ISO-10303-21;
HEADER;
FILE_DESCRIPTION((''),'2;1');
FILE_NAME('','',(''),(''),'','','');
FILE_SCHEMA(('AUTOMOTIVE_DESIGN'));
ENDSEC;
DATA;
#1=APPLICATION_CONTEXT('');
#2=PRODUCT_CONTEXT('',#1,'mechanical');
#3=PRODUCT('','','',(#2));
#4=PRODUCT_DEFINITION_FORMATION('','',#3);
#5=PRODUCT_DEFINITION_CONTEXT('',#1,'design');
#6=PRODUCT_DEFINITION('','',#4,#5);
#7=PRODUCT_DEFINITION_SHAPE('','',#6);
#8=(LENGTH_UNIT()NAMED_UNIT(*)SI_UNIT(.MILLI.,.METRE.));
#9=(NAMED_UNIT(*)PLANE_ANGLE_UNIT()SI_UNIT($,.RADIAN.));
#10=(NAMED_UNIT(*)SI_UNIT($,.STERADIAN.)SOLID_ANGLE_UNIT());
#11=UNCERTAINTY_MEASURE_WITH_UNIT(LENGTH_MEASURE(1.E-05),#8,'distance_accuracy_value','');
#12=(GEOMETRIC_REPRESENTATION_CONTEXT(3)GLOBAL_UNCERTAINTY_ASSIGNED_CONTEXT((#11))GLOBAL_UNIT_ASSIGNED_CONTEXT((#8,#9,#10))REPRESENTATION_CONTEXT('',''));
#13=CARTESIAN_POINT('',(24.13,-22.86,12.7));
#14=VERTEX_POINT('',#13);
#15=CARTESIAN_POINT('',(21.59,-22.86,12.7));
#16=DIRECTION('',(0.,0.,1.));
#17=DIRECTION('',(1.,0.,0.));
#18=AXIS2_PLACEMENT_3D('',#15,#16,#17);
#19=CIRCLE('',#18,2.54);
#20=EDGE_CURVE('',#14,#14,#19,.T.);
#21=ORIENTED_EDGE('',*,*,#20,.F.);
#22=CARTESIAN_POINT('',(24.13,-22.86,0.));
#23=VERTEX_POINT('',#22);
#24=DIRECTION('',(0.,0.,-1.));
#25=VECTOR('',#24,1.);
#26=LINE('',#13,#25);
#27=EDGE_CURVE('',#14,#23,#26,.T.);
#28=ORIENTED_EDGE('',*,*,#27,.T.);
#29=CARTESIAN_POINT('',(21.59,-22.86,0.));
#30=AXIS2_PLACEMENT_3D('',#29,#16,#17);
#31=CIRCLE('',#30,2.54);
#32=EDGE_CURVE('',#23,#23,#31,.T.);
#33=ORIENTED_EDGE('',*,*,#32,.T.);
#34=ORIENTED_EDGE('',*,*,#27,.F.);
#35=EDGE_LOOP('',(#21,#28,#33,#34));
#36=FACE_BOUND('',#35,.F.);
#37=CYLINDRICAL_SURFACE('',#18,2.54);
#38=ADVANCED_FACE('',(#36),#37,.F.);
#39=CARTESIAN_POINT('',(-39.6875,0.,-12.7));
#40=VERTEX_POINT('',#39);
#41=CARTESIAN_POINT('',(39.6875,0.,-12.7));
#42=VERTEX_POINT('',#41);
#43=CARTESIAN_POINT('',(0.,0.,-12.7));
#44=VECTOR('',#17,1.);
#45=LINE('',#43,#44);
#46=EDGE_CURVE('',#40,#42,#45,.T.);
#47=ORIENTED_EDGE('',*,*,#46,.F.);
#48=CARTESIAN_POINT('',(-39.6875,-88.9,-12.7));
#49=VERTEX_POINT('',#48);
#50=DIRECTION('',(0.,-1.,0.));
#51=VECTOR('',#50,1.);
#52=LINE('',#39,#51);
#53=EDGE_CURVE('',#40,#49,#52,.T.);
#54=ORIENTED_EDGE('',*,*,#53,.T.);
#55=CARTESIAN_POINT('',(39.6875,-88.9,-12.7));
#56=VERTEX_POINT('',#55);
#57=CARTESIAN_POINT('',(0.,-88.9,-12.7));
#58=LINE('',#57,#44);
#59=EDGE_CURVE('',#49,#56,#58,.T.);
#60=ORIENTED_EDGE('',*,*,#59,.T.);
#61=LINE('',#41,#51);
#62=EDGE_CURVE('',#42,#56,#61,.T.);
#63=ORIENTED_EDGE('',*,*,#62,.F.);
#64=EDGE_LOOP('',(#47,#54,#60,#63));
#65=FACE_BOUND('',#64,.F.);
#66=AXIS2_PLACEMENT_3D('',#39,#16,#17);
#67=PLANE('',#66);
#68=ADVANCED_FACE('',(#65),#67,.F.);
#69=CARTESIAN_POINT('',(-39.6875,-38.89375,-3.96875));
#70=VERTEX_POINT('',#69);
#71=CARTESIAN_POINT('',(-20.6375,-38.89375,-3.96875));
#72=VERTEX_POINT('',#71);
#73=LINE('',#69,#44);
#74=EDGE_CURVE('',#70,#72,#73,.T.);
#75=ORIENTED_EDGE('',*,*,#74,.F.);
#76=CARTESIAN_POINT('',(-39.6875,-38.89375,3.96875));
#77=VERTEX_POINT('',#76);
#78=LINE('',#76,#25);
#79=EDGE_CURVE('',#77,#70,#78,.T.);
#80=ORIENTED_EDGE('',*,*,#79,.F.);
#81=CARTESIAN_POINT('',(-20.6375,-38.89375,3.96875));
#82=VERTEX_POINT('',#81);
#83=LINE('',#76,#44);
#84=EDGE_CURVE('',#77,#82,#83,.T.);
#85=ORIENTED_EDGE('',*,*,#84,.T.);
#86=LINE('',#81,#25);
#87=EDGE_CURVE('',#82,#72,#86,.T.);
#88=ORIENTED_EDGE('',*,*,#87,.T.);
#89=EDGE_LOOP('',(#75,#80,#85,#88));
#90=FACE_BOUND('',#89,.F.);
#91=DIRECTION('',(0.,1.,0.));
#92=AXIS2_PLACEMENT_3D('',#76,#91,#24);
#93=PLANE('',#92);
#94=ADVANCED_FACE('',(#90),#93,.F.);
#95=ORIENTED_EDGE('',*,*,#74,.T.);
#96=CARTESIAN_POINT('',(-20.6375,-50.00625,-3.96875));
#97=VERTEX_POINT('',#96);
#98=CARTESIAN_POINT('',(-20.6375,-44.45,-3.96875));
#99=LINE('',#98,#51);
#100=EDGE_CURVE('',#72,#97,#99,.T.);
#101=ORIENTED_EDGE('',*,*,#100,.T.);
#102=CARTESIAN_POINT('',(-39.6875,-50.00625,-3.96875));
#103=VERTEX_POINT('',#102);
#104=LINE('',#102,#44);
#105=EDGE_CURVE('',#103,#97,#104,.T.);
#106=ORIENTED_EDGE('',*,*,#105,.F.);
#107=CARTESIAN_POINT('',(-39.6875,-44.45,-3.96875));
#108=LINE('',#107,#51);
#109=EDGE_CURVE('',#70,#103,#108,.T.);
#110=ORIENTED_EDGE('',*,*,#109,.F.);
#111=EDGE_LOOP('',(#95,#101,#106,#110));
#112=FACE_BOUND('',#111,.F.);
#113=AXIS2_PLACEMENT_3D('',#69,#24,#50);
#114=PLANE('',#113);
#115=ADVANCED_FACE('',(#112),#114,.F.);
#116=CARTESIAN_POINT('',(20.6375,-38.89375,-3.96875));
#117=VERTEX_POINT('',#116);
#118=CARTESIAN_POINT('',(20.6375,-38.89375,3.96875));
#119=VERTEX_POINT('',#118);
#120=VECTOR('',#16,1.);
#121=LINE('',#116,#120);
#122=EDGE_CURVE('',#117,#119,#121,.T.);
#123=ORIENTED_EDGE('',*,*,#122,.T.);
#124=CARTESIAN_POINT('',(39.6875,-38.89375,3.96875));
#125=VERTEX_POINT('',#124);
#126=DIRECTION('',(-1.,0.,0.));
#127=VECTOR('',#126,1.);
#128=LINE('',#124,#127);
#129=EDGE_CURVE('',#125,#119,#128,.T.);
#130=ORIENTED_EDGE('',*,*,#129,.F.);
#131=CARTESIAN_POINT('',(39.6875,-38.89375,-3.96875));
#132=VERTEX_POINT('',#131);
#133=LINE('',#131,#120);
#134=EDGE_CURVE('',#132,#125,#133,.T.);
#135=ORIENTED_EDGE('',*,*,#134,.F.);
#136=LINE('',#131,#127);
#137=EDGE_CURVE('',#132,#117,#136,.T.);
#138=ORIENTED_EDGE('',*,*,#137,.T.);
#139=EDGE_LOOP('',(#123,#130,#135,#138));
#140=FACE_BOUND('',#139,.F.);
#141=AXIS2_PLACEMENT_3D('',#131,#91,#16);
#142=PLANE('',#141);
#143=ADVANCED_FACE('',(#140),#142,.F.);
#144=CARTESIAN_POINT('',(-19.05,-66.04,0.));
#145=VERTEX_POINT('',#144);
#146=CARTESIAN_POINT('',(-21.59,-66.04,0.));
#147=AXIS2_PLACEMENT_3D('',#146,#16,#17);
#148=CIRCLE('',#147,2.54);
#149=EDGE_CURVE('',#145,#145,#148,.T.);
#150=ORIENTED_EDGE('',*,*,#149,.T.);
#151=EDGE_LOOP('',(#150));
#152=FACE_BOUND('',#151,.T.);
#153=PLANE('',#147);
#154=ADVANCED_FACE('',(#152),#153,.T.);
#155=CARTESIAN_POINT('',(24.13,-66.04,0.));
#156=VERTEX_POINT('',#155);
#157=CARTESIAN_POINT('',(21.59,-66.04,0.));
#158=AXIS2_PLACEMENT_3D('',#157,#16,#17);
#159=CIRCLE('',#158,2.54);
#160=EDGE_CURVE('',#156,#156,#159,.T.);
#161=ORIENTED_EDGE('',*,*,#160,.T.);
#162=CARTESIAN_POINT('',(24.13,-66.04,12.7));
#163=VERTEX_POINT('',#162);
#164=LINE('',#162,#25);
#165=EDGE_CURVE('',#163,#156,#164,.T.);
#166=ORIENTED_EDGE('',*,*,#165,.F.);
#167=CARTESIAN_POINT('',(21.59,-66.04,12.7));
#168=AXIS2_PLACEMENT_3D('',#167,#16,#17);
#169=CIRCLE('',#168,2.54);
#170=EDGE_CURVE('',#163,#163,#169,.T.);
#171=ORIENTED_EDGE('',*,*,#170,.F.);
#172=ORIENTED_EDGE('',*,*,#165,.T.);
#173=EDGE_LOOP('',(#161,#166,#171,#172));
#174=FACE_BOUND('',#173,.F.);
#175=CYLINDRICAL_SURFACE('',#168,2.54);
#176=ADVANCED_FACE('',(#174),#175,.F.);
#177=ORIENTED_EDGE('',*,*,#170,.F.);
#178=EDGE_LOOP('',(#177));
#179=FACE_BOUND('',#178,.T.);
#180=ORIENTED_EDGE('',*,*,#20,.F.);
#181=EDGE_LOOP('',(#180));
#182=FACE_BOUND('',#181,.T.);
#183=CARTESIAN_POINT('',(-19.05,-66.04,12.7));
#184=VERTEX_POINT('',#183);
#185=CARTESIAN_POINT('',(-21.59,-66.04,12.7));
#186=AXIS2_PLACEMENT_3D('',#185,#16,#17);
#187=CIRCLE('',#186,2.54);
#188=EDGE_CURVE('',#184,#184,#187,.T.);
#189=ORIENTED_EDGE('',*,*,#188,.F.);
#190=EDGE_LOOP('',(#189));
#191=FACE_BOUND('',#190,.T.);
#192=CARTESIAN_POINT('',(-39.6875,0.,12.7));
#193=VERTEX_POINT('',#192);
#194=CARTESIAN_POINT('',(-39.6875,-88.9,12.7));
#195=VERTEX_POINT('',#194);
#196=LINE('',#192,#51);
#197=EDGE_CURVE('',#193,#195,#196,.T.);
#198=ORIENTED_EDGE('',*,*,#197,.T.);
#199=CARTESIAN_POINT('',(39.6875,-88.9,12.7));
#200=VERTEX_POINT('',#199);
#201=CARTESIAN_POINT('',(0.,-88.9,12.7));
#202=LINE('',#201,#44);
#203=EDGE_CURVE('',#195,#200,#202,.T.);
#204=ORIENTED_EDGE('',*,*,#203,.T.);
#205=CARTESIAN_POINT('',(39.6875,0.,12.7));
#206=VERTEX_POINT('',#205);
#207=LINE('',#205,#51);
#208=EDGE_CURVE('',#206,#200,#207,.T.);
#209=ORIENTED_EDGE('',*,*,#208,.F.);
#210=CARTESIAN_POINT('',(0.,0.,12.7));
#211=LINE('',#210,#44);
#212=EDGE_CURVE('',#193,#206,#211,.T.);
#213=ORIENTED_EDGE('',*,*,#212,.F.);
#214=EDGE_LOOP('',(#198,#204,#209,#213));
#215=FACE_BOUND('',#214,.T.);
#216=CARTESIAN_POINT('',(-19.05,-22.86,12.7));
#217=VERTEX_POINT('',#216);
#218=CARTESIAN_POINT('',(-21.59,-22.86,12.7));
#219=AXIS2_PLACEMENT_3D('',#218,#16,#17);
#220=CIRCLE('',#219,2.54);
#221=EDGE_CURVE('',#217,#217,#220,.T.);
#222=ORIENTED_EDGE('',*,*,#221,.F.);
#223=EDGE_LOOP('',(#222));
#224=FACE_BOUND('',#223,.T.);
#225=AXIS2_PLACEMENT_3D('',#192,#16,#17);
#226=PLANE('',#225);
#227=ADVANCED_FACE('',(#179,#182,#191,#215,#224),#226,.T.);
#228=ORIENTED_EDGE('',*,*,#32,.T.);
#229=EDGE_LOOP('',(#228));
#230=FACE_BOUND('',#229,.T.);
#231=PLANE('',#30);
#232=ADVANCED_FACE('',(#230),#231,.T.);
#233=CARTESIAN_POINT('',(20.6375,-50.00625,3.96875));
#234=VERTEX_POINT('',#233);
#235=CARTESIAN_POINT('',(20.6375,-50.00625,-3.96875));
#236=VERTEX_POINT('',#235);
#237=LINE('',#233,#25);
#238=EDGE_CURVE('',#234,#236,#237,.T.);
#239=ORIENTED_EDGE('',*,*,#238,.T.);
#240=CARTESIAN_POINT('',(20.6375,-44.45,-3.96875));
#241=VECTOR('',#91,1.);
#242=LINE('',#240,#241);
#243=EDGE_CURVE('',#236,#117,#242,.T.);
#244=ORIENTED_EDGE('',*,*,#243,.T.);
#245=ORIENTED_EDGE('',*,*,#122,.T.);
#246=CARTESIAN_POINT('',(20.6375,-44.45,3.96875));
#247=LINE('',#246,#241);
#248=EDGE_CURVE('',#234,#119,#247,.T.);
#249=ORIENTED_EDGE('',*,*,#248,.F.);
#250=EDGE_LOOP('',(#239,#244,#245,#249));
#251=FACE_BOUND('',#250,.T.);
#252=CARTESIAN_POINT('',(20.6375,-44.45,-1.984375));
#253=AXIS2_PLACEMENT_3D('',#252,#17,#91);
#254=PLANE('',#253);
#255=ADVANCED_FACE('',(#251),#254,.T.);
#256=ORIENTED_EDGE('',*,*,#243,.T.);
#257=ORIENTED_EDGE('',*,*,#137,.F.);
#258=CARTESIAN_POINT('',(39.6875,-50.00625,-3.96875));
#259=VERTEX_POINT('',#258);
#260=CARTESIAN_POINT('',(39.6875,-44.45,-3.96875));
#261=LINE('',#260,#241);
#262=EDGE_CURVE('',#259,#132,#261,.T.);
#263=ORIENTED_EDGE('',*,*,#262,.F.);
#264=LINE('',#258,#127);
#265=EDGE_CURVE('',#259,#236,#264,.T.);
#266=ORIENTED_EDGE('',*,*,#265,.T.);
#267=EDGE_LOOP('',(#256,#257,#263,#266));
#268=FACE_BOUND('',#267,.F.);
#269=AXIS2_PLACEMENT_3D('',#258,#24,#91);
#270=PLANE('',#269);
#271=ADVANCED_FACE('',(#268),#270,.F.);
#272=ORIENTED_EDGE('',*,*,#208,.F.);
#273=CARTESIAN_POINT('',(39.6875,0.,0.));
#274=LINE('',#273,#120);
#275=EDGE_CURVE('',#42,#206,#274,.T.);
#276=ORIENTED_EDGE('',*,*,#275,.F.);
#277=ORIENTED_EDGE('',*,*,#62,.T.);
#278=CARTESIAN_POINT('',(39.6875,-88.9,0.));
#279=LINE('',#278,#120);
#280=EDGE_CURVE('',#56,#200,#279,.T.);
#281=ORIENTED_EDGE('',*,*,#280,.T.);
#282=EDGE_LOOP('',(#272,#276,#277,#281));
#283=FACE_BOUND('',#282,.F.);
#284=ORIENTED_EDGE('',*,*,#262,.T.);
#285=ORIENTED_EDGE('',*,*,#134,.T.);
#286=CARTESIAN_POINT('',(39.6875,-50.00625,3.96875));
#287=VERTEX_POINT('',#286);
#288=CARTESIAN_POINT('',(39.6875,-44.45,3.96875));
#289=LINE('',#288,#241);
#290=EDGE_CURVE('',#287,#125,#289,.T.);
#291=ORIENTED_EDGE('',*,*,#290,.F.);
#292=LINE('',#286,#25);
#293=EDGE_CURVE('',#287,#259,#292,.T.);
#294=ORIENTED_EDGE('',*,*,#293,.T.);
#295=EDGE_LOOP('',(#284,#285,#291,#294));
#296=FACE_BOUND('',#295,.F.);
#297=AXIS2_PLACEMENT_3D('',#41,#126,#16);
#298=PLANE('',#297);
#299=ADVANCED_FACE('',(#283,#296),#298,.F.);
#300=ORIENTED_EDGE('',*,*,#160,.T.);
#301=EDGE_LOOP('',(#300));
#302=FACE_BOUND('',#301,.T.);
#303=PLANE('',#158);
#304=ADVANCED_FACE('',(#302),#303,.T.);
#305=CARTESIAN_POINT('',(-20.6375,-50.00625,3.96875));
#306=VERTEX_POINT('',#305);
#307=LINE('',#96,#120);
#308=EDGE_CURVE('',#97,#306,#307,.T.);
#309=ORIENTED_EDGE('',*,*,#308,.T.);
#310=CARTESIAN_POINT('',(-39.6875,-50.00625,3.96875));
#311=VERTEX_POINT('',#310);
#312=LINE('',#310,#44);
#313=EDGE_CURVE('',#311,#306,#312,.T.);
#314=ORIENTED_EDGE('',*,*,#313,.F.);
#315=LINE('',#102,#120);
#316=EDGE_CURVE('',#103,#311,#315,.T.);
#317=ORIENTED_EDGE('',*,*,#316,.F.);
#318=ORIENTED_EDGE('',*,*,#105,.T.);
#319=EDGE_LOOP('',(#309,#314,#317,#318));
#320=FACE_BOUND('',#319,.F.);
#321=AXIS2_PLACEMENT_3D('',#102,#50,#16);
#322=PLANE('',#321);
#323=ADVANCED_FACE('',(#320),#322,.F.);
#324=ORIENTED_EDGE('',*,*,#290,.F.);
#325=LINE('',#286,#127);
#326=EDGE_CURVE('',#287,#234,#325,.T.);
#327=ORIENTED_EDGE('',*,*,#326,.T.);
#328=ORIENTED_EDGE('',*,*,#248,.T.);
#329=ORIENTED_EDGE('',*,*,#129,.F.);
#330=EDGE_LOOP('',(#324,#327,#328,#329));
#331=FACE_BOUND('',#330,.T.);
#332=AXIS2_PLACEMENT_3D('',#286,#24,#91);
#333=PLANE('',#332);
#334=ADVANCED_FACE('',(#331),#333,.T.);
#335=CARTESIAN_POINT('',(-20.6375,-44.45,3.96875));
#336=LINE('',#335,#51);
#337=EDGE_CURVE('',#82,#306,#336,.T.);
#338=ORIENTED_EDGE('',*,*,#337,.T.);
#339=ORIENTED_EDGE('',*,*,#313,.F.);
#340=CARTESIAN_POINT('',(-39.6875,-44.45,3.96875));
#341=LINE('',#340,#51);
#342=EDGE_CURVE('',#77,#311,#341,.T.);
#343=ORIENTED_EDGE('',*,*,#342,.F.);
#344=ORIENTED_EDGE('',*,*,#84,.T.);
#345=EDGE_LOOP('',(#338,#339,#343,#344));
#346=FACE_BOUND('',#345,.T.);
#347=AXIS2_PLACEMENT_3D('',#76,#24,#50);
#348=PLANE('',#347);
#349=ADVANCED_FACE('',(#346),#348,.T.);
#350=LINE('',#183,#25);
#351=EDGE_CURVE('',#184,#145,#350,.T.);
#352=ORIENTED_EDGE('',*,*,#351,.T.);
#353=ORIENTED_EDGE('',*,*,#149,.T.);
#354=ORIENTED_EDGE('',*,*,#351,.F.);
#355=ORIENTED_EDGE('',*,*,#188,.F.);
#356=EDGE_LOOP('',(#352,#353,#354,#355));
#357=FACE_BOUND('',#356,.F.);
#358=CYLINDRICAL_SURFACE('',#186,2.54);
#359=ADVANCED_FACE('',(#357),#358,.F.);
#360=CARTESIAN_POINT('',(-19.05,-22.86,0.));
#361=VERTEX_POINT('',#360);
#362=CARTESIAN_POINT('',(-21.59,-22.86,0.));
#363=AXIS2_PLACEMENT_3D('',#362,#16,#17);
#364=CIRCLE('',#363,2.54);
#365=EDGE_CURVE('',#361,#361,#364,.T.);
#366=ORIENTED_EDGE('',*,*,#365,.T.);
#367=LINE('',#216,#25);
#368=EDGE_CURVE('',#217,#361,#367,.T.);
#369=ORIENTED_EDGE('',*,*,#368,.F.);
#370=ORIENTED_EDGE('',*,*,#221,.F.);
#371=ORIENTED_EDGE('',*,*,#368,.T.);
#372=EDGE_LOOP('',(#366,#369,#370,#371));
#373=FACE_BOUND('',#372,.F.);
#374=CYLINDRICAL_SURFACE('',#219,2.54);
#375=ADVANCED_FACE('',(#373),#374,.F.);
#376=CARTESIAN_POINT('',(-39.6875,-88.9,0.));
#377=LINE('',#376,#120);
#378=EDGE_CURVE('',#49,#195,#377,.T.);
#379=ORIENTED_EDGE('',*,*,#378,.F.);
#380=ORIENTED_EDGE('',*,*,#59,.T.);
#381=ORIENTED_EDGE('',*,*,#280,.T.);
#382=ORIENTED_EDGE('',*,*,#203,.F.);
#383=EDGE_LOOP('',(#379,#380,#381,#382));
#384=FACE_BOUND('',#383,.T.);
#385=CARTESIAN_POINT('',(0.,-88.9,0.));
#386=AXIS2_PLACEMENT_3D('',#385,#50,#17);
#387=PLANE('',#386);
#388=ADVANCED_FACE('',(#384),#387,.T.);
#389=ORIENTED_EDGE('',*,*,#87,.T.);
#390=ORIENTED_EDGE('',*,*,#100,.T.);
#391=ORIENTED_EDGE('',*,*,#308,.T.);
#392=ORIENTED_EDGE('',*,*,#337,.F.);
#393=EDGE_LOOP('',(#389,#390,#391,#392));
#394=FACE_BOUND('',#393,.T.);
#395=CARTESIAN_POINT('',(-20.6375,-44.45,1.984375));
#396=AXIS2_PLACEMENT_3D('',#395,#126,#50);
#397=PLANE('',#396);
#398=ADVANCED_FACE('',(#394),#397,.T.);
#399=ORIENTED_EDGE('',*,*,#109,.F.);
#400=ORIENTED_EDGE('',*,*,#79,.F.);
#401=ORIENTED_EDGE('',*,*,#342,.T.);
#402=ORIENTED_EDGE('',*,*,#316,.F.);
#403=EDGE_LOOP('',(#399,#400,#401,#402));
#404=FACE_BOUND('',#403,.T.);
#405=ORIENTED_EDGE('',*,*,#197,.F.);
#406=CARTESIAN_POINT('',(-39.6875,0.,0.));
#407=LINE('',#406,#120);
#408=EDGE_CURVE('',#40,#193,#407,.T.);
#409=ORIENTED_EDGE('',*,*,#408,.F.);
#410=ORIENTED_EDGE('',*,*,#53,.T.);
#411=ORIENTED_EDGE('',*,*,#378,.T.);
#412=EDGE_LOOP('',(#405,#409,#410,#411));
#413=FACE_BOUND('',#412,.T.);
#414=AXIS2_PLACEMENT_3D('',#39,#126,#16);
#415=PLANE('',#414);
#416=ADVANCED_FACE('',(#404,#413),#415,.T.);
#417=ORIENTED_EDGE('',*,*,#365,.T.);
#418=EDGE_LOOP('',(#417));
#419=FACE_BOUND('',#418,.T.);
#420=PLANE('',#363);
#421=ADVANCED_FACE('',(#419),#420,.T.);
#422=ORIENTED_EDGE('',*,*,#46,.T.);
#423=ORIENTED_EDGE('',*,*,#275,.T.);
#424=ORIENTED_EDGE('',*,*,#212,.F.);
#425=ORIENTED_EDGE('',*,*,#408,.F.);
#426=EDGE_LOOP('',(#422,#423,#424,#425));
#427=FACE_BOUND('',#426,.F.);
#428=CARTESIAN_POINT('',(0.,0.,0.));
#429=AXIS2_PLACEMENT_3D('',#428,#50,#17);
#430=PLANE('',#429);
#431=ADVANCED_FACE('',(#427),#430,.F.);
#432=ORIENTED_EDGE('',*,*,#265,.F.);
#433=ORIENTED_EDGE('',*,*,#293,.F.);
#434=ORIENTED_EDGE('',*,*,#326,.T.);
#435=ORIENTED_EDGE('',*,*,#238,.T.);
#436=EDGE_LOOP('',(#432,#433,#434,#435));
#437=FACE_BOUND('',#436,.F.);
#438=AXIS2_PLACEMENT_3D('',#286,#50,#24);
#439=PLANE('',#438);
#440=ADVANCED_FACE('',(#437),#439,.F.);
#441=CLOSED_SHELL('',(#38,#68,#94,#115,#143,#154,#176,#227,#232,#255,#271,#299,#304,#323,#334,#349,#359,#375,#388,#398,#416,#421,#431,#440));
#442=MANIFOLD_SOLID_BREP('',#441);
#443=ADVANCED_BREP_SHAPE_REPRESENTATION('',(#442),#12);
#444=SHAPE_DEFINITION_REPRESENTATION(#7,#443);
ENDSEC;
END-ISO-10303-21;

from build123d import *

# Parameters (mm, degrees)
F0_W     = 79.375
F0_H     = 25.4
F1_DEPTH = 88.9
F2_W     = 11.1125
F2_H     = 3.96875
F3_DEPTH = 19.05
F4_W     = 11.1125
F4_H     = 3.96875
F5_DEPTH = 19.05
F6_R     = 2.54
F7_DEPTH = 12.7


with BuildPart() as f1:
    # F0 (on Front) → F1 (new body)
    with BuildSketch(Plane.XZ):
        Rectangle(F0_W, F0_H)
    extrude(amount=F1_DEPTH)

    # F2 (on face) → F3 (cut)
    with BuildSketch(Plane.YZ.offset(39.6875)):
        with Locations((-44.45, -1.984375)):
            Rectangle(F2_W, F2_H)
        with Locations((-44.45, 1.984375)):
            Rectangle(F2_W, F2_H)
    extrude(amount=-F3_DEPTH, mode=Mode.SUBTRACT)

    # F4 (on face) → F5 (cut)
    with BuildSketch(Plane(origin=(-39.6875, 0, 0), x_dir=(0, -1, 0), z_dir=(-1, 0, 0))):
        with Locations((44.45, 1.984375)):
            Rectangle(F4_W, F4_H)
        with Locations((44.45, -1.984375)):
            Rectangle(F4_W, F4_H)
    extrude(amount=-F5_DEPTH, mode=Mode.SUBTRACT)

    # F6 (on face) → F7 (cut)
    with BuildSketch(Plane.XY.offset(12.7)):
        with Locations((-21.59, -22.86)):
            Circle(F6_R)
        with Locations((21.59, -22.86)):
            Circle(F6_R)
        with Locations((21.59, -66.04)):
            Circle(F6_R)
        with Locations((-21.59, -66.04)):
            Circle(F6_R)
    extrude(amount=-F7_DEPTH, mode=Mode.SUBTRACT)


solid = f1.part
